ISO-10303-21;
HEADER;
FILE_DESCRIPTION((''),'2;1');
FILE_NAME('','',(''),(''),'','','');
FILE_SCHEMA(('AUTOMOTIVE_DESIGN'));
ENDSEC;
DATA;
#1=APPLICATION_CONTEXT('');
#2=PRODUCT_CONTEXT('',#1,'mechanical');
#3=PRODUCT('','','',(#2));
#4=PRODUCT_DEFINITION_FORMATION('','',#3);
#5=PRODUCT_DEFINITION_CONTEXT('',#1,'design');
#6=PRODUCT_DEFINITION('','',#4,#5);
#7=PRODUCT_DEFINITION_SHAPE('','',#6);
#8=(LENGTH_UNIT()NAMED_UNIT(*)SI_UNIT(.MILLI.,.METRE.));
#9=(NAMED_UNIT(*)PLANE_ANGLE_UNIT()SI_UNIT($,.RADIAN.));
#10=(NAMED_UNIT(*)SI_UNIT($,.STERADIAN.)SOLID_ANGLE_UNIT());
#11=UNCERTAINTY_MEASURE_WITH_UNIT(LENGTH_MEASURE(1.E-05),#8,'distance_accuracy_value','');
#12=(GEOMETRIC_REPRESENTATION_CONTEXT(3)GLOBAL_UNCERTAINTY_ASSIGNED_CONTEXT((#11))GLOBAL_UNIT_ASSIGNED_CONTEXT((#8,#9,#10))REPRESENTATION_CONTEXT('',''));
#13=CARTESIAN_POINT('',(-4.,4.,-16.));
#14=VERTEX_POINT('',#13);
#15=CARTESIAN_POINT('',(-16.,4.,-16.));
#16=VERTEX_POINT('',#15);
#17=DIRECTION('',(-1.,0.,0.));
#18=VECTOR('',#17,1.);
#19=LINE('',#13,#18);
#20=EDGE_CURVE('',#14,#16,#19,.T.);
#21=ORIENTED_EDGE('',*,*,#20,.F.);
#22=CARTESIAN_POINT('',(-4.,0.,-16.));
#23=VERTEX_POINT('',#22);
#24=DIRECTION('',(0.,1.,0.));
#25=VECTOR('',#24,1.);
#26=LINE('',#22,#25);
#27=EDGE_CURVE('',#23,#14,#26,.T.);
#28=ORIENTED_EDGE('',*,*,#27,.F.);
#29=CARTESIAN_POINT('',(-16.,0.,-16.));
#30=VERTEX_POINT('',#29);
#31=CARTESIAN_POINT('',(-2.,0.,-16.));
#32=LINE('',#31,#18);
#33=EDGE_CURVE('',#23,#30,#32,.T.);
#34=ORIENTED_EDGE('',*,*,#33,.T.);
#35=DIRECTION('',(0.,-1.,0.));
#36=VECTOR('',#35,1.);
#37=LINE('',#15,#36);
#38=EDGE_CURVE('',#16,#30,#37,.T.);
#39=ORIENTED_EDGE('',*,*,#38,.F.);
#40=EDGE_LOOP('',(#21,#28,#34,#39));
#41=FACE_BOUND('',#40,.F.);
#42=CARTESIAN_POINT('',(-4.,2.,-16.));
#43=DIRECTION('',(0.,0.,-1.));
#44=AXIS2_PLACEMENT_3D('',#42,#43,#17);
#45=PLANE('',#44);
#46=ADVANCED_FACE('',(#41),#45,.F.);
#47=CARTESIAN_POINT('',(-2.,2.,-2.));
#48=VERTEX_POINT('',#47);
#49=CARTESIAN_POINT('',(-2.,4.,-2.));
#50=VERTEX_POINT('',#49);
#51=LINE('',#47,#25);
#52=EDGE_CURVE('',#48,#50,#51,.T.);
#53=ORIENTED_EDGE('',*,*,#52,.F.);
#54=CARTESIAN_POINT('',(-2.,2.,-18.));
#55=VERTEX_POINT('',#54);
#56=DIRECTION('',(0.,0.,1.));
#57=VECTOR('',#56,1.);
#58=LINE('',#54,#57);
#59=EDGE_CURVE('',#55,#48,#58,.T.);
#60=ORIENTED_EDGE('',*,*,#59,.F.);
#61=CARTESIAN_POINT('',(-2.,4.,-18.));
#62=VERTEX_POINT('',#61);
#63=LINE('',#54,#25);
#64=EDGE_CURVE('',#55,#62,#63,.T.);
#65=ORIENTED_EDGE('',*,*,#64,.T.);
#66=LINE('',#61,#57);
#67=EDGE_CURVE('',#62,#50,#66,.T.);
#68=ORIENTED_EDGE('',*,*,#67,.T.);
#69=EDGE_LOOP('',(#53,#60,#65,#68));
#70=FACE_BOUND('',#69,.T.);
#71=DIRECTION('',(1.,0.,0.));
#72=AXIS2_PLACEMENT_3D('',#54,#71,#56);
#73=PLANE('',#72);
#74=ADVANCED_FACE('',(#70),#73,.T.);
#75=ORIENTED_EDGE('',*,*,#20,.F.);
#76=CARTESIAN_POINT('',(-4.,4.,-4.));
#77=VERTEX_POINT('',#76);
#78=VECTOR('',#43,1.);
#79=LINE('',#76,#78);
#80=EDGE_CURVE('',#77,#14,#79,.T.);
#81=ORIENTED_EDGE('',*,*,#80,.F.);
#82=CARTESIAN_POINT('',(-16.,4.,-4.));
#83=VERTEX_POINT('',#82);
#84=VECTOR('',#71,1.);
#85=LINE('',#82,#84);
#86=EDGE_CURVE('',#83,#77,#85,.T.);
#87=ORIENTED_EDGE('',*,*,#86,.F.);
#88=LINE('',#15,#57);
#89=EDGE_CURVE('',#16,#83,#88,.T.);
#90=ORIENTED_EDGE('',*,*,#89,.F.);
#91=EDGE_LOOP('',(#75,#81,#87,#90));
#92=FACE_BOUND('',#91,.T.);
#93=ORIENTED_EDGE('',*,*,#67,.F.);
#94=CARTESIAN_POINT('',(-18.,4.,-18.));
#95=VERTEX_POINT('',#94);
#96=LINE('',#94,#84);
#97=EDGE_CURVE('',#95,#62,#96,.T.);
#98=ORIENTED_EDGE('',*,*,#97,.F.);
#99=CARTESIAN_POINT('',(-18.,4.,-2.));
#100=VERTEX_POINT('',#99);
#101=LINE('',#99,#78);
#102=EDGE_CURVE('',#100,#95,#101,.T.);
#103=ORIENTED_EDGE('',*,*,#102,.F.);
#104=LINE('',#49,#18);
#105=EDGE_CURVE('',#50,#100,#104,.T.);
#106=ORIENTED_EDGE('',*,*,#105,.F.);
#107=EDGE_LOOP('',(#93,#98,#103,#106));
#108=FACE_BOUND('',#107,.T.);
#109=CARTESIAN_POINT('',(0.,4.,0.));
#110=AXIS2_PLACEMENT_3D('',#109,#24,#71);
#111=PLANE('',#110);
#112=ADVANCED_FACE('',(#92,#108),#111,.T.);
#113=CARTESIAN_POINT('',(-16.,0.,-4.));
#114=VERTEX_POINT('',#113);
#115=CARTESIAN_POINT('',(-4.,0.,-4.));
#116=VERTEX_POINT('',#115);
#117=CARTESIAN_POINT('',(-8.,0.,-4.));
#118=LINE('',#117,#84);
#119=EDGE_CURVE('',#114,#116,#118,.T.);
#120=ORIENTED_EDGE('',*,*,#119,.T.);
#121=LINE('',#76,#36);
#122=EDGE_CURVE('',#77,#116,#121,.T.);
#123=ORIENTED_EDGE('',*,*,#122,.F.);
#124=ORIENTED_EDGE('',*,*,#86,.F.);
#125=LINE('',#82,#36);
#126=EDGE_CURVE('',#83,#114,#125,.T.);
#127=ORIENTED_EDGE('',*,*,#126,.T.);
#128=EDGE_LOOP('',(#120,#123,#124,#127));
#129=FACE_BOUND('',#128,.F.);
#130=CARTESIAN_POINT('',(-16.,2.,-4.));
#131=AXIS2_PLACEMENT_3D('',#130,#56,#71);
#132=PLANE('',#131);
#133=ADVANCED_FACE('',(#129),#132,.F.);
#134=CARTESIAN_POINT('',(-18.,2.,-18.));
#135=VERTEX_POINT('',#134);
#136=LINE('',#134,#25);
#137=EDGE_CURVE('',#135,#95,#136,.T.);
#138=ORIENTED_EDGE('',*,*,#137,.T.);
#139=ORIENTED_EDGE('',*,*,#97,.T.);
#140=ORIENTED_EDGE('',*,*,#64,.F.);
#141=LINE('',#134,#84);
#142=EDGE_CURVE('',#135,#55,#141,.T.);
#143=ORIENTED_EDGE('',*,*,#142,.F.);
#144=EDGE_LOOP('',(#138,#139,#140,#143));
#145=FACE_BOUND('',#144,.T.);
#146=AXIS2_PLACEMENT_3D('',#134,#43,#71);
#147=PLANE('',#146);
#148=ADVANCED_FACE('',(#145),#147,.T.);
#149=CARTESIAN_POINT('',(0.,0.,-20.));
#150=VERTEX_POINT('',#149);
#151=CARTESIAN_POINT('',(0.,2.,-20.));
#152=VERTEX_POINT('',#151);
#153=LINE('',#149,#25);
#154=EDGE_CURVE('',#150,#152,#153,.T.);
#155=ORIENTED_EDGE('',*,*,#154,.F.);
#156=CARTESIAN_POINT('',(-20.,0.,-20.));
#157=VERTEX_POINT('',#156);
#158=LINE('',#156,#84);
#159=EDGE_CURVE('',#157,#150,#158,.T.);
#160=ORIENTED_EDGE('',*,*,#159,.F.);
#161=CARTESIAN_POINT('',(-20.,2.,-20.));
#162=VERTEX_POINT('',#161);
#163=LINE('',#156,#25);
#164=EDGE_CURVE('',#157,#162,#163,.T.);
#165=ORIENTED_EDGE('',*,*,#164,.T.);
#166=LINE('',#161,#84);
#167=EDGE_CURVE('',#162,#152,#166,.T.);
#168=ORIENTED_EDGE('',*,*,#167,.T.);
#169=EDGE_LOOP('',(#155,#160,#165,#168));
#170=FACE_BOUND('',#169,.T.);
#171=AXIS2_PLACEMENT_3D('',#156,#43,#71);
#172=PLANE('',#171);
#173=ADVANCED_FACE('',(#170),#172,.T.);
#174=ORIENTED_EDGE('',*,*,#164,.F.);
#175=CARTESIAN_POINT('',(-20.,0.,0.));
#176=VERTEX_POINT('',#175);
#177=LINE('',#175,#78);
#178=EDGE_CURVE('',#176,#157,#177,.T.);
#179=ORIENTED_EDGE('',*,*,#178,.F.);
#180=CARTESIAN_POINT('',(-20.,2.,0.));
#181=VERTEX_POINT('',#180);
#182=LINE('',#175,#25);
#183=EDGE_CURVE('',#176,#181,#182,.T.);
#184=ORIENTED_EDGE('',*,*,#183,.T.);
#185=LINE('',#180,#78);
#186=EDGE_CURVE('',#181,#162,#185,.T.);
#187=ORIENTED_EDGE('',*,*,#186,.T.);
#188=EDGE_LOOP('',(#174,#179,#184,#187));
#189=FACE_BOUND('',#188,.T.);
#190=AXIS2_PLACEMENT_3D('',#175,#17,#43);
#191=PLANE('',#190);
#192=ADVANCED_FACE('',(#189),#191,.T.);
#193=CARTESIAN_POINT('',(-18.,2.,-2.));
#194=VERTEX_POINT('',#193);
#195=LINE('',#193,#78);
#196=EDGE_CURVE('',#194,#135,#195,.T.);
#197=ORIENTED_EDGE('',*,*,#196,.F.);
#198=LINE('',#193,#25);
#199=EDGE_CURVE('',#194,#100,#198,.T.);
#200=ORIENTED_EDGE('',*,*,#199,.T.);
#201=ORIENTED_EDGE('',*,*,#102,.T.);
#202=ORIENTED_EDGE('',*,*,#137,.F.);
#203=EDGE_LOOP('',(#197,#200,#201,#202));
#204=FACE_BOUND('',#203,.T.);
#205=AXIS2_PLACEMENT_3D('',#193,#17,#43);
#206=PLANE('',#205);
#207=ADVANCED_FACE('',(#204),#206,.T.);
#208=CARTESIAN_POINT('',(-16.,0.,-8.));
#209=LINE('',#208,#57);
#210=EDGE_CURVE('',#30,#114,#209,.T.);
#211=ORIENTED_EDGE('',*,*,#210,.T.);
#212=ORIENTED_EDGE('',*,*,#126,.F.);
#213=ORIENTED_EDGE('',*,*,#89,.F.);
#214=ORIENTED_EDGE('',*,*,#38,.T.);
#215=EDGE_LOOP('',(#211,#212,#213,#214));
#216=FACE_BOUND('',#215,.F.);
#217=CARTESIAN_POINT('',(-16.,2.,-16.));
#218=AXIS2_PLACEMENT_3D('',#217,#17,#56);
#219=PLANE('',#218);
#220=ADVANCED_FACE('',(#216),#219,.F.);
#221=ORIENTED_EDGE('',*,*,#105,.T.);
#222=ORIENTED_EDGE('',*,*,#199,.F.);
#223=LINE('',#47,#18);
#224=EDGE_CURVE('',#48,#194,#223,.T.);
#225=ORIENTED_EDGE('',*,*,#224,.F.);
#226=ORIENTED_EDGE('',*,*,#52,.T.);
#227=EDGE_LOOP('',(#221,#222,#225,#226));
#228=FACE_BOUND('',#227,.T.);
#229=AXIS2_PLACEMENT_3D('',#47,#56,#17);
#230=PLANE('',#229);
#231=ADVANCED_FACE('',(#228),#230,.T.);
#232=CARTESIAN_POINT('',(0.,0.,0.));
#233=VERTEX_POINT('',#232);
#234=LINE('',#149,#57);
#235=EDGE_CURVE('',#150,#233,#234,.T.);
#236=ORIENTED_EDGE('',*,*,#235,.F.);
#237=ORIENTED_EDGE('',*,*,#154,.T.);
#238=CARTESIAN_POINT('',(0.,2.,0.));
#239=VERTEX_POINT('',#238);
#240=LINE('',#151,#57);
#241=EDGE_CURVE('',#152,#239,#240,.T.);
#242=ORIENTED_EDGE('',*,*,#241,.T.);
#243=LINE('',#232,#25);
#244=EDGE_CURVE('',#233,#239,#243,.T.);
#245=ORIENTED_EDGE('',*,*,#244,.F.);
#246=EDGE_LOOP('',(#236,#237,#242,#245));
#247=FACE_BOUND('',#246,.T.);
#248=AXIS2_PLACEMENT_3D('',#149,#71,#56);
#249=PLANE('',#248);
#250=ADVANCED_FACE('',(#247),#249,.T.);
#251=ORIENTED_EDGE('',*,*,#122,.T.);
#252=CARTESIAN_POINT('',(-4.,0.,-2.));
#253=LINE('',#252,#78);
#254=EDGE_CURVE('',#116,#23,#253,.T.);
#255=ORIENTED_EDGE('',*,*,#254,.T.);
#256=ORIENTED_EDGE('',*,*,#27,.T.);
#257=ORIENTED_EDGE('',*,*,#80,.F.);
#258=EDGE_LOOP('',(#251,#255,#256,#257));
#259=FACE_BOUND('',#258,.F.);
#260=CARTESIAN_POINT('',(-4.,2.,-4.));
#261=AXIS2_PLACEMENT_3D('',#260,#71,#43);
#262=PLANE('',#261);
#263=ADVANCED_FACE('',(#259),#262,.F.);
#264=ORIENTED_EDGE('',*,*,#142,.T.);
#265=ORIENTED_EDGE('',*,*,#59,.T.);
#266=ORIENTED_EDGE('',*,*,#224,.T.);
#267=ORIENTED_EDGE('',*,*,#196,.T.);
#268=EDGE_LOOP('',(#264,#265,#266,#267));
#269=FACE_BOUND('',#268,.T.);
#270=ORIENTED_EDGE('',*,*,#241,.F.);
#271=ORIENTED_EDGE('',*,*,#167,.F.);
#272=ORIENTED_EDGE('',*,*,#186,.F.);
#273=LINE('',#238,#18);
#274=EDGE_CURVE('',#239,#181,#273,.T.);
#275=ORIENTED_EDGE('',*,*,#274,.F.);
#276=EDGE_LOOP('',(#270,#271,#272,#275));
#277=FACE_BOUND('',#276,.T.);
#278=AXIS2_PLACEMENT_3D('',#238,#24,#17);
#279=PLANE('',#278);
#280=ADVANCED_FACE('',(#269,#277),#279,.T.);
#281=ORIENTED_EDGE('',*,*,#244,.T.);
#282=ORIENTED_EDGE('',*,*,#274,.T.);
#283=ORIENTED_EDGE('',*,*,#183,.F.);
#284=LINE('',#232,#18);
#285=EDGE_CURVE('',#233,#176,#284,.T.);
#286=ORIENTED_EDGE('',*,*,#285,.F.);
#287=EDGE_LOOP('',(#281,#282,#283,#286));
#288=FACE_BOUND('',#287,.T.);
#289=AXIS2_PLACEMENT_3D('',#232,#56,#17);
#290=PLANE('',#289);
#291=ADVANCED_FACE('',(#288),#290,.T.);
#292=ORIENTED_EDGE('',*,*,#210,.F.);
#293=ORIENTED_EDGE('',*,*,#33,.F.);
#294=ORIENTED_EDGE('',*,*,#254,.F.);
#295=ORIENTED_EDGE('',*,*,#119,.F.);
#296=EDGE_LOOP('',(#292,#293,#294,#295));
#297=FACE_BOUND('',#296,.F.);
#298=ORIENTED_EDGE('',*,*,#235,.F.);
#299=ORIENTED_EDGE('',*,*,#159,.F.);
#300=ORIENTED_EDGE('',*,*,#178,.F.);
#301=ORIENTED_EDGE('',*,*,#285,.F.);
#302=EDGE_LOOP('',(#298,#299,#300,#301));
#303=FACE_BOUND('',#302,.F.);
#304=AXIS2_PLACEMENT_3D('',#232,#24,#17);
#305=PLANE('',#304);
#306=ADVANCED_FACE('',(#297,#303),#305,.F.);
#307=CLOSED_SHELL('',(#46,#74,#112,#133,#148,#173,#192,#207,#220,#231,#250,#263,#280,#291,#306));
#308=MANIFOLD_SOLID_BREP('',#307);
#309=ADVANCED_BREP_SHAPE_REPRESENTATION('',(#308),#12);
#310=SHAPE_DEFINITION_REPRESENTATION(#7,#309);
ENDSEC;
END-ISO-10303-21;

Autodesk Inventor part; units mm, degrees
ref_plane "YZ Plane" through (0, 0, 0) normal (1, 0, 0) x (0, 1, 0)
ref_plane "XZ Plane" through (0, 0, 0) normal (0, 1, 0) x (-1, 0, 0)
ref_plane "XY Plane" through (0, 0, 0) normal (0, 0, 1) x (1, 0, 0)
sketch "Sketch1" plane through (0, 0, 0) normal (0, 1, 0) x (-1, 0, 0)
  line L0 (0, 0) -> (20, 0)
  line L1 (20, 0) -> (20, -20)
  line L2 (20, -20) -> (0, -20)
  line L3 (0, -20) -> (0, 0)
  dimension "d0" = 20
  dimension "d1" = 20
extrude "Extrusion1" add sketch "Sketch1" along normal blind 2
sketch "Sketch2" plane through (0, 2, 0) normal (0, 1, 0) x (1, 0, 0)
  line L0 (0, 20) -> (-20, 20) projected
  line L1 (-20, 20) -> (-20, 0) projected
  line L2 (-20, 0) -> (0, 0) projected
  line L3 (0, 0) -> (0, 20) projected
  line L4 (-18, 2) -> (-18, 18)
  line L5 (-18, 18) -> (-2, 18)
  line L6 (-2, 18) -> (-2, 2)
  line L7 (-2, 2) -> (-18, 2)
  line L8 (-16, 16) -> (-16, 4)
  line L9 (-16, 4) -> (-4, 4)
  line L10 (-4, 4) -> (-4, 16)
  line L11 (-4, 16) -> (-16, 16)
  dimension "d4" = 2
  dimension "d5" = 2
extrude "Extrusion2" add sketch "Sketch2" along normal blind 2 contours L4 L5 L6 L7
extrude "Extrusion3" cut sketch "Sketch2" against normal blind 10 contours L11 L10 L9 L8
properties part number "latticeChamberCapv4"
